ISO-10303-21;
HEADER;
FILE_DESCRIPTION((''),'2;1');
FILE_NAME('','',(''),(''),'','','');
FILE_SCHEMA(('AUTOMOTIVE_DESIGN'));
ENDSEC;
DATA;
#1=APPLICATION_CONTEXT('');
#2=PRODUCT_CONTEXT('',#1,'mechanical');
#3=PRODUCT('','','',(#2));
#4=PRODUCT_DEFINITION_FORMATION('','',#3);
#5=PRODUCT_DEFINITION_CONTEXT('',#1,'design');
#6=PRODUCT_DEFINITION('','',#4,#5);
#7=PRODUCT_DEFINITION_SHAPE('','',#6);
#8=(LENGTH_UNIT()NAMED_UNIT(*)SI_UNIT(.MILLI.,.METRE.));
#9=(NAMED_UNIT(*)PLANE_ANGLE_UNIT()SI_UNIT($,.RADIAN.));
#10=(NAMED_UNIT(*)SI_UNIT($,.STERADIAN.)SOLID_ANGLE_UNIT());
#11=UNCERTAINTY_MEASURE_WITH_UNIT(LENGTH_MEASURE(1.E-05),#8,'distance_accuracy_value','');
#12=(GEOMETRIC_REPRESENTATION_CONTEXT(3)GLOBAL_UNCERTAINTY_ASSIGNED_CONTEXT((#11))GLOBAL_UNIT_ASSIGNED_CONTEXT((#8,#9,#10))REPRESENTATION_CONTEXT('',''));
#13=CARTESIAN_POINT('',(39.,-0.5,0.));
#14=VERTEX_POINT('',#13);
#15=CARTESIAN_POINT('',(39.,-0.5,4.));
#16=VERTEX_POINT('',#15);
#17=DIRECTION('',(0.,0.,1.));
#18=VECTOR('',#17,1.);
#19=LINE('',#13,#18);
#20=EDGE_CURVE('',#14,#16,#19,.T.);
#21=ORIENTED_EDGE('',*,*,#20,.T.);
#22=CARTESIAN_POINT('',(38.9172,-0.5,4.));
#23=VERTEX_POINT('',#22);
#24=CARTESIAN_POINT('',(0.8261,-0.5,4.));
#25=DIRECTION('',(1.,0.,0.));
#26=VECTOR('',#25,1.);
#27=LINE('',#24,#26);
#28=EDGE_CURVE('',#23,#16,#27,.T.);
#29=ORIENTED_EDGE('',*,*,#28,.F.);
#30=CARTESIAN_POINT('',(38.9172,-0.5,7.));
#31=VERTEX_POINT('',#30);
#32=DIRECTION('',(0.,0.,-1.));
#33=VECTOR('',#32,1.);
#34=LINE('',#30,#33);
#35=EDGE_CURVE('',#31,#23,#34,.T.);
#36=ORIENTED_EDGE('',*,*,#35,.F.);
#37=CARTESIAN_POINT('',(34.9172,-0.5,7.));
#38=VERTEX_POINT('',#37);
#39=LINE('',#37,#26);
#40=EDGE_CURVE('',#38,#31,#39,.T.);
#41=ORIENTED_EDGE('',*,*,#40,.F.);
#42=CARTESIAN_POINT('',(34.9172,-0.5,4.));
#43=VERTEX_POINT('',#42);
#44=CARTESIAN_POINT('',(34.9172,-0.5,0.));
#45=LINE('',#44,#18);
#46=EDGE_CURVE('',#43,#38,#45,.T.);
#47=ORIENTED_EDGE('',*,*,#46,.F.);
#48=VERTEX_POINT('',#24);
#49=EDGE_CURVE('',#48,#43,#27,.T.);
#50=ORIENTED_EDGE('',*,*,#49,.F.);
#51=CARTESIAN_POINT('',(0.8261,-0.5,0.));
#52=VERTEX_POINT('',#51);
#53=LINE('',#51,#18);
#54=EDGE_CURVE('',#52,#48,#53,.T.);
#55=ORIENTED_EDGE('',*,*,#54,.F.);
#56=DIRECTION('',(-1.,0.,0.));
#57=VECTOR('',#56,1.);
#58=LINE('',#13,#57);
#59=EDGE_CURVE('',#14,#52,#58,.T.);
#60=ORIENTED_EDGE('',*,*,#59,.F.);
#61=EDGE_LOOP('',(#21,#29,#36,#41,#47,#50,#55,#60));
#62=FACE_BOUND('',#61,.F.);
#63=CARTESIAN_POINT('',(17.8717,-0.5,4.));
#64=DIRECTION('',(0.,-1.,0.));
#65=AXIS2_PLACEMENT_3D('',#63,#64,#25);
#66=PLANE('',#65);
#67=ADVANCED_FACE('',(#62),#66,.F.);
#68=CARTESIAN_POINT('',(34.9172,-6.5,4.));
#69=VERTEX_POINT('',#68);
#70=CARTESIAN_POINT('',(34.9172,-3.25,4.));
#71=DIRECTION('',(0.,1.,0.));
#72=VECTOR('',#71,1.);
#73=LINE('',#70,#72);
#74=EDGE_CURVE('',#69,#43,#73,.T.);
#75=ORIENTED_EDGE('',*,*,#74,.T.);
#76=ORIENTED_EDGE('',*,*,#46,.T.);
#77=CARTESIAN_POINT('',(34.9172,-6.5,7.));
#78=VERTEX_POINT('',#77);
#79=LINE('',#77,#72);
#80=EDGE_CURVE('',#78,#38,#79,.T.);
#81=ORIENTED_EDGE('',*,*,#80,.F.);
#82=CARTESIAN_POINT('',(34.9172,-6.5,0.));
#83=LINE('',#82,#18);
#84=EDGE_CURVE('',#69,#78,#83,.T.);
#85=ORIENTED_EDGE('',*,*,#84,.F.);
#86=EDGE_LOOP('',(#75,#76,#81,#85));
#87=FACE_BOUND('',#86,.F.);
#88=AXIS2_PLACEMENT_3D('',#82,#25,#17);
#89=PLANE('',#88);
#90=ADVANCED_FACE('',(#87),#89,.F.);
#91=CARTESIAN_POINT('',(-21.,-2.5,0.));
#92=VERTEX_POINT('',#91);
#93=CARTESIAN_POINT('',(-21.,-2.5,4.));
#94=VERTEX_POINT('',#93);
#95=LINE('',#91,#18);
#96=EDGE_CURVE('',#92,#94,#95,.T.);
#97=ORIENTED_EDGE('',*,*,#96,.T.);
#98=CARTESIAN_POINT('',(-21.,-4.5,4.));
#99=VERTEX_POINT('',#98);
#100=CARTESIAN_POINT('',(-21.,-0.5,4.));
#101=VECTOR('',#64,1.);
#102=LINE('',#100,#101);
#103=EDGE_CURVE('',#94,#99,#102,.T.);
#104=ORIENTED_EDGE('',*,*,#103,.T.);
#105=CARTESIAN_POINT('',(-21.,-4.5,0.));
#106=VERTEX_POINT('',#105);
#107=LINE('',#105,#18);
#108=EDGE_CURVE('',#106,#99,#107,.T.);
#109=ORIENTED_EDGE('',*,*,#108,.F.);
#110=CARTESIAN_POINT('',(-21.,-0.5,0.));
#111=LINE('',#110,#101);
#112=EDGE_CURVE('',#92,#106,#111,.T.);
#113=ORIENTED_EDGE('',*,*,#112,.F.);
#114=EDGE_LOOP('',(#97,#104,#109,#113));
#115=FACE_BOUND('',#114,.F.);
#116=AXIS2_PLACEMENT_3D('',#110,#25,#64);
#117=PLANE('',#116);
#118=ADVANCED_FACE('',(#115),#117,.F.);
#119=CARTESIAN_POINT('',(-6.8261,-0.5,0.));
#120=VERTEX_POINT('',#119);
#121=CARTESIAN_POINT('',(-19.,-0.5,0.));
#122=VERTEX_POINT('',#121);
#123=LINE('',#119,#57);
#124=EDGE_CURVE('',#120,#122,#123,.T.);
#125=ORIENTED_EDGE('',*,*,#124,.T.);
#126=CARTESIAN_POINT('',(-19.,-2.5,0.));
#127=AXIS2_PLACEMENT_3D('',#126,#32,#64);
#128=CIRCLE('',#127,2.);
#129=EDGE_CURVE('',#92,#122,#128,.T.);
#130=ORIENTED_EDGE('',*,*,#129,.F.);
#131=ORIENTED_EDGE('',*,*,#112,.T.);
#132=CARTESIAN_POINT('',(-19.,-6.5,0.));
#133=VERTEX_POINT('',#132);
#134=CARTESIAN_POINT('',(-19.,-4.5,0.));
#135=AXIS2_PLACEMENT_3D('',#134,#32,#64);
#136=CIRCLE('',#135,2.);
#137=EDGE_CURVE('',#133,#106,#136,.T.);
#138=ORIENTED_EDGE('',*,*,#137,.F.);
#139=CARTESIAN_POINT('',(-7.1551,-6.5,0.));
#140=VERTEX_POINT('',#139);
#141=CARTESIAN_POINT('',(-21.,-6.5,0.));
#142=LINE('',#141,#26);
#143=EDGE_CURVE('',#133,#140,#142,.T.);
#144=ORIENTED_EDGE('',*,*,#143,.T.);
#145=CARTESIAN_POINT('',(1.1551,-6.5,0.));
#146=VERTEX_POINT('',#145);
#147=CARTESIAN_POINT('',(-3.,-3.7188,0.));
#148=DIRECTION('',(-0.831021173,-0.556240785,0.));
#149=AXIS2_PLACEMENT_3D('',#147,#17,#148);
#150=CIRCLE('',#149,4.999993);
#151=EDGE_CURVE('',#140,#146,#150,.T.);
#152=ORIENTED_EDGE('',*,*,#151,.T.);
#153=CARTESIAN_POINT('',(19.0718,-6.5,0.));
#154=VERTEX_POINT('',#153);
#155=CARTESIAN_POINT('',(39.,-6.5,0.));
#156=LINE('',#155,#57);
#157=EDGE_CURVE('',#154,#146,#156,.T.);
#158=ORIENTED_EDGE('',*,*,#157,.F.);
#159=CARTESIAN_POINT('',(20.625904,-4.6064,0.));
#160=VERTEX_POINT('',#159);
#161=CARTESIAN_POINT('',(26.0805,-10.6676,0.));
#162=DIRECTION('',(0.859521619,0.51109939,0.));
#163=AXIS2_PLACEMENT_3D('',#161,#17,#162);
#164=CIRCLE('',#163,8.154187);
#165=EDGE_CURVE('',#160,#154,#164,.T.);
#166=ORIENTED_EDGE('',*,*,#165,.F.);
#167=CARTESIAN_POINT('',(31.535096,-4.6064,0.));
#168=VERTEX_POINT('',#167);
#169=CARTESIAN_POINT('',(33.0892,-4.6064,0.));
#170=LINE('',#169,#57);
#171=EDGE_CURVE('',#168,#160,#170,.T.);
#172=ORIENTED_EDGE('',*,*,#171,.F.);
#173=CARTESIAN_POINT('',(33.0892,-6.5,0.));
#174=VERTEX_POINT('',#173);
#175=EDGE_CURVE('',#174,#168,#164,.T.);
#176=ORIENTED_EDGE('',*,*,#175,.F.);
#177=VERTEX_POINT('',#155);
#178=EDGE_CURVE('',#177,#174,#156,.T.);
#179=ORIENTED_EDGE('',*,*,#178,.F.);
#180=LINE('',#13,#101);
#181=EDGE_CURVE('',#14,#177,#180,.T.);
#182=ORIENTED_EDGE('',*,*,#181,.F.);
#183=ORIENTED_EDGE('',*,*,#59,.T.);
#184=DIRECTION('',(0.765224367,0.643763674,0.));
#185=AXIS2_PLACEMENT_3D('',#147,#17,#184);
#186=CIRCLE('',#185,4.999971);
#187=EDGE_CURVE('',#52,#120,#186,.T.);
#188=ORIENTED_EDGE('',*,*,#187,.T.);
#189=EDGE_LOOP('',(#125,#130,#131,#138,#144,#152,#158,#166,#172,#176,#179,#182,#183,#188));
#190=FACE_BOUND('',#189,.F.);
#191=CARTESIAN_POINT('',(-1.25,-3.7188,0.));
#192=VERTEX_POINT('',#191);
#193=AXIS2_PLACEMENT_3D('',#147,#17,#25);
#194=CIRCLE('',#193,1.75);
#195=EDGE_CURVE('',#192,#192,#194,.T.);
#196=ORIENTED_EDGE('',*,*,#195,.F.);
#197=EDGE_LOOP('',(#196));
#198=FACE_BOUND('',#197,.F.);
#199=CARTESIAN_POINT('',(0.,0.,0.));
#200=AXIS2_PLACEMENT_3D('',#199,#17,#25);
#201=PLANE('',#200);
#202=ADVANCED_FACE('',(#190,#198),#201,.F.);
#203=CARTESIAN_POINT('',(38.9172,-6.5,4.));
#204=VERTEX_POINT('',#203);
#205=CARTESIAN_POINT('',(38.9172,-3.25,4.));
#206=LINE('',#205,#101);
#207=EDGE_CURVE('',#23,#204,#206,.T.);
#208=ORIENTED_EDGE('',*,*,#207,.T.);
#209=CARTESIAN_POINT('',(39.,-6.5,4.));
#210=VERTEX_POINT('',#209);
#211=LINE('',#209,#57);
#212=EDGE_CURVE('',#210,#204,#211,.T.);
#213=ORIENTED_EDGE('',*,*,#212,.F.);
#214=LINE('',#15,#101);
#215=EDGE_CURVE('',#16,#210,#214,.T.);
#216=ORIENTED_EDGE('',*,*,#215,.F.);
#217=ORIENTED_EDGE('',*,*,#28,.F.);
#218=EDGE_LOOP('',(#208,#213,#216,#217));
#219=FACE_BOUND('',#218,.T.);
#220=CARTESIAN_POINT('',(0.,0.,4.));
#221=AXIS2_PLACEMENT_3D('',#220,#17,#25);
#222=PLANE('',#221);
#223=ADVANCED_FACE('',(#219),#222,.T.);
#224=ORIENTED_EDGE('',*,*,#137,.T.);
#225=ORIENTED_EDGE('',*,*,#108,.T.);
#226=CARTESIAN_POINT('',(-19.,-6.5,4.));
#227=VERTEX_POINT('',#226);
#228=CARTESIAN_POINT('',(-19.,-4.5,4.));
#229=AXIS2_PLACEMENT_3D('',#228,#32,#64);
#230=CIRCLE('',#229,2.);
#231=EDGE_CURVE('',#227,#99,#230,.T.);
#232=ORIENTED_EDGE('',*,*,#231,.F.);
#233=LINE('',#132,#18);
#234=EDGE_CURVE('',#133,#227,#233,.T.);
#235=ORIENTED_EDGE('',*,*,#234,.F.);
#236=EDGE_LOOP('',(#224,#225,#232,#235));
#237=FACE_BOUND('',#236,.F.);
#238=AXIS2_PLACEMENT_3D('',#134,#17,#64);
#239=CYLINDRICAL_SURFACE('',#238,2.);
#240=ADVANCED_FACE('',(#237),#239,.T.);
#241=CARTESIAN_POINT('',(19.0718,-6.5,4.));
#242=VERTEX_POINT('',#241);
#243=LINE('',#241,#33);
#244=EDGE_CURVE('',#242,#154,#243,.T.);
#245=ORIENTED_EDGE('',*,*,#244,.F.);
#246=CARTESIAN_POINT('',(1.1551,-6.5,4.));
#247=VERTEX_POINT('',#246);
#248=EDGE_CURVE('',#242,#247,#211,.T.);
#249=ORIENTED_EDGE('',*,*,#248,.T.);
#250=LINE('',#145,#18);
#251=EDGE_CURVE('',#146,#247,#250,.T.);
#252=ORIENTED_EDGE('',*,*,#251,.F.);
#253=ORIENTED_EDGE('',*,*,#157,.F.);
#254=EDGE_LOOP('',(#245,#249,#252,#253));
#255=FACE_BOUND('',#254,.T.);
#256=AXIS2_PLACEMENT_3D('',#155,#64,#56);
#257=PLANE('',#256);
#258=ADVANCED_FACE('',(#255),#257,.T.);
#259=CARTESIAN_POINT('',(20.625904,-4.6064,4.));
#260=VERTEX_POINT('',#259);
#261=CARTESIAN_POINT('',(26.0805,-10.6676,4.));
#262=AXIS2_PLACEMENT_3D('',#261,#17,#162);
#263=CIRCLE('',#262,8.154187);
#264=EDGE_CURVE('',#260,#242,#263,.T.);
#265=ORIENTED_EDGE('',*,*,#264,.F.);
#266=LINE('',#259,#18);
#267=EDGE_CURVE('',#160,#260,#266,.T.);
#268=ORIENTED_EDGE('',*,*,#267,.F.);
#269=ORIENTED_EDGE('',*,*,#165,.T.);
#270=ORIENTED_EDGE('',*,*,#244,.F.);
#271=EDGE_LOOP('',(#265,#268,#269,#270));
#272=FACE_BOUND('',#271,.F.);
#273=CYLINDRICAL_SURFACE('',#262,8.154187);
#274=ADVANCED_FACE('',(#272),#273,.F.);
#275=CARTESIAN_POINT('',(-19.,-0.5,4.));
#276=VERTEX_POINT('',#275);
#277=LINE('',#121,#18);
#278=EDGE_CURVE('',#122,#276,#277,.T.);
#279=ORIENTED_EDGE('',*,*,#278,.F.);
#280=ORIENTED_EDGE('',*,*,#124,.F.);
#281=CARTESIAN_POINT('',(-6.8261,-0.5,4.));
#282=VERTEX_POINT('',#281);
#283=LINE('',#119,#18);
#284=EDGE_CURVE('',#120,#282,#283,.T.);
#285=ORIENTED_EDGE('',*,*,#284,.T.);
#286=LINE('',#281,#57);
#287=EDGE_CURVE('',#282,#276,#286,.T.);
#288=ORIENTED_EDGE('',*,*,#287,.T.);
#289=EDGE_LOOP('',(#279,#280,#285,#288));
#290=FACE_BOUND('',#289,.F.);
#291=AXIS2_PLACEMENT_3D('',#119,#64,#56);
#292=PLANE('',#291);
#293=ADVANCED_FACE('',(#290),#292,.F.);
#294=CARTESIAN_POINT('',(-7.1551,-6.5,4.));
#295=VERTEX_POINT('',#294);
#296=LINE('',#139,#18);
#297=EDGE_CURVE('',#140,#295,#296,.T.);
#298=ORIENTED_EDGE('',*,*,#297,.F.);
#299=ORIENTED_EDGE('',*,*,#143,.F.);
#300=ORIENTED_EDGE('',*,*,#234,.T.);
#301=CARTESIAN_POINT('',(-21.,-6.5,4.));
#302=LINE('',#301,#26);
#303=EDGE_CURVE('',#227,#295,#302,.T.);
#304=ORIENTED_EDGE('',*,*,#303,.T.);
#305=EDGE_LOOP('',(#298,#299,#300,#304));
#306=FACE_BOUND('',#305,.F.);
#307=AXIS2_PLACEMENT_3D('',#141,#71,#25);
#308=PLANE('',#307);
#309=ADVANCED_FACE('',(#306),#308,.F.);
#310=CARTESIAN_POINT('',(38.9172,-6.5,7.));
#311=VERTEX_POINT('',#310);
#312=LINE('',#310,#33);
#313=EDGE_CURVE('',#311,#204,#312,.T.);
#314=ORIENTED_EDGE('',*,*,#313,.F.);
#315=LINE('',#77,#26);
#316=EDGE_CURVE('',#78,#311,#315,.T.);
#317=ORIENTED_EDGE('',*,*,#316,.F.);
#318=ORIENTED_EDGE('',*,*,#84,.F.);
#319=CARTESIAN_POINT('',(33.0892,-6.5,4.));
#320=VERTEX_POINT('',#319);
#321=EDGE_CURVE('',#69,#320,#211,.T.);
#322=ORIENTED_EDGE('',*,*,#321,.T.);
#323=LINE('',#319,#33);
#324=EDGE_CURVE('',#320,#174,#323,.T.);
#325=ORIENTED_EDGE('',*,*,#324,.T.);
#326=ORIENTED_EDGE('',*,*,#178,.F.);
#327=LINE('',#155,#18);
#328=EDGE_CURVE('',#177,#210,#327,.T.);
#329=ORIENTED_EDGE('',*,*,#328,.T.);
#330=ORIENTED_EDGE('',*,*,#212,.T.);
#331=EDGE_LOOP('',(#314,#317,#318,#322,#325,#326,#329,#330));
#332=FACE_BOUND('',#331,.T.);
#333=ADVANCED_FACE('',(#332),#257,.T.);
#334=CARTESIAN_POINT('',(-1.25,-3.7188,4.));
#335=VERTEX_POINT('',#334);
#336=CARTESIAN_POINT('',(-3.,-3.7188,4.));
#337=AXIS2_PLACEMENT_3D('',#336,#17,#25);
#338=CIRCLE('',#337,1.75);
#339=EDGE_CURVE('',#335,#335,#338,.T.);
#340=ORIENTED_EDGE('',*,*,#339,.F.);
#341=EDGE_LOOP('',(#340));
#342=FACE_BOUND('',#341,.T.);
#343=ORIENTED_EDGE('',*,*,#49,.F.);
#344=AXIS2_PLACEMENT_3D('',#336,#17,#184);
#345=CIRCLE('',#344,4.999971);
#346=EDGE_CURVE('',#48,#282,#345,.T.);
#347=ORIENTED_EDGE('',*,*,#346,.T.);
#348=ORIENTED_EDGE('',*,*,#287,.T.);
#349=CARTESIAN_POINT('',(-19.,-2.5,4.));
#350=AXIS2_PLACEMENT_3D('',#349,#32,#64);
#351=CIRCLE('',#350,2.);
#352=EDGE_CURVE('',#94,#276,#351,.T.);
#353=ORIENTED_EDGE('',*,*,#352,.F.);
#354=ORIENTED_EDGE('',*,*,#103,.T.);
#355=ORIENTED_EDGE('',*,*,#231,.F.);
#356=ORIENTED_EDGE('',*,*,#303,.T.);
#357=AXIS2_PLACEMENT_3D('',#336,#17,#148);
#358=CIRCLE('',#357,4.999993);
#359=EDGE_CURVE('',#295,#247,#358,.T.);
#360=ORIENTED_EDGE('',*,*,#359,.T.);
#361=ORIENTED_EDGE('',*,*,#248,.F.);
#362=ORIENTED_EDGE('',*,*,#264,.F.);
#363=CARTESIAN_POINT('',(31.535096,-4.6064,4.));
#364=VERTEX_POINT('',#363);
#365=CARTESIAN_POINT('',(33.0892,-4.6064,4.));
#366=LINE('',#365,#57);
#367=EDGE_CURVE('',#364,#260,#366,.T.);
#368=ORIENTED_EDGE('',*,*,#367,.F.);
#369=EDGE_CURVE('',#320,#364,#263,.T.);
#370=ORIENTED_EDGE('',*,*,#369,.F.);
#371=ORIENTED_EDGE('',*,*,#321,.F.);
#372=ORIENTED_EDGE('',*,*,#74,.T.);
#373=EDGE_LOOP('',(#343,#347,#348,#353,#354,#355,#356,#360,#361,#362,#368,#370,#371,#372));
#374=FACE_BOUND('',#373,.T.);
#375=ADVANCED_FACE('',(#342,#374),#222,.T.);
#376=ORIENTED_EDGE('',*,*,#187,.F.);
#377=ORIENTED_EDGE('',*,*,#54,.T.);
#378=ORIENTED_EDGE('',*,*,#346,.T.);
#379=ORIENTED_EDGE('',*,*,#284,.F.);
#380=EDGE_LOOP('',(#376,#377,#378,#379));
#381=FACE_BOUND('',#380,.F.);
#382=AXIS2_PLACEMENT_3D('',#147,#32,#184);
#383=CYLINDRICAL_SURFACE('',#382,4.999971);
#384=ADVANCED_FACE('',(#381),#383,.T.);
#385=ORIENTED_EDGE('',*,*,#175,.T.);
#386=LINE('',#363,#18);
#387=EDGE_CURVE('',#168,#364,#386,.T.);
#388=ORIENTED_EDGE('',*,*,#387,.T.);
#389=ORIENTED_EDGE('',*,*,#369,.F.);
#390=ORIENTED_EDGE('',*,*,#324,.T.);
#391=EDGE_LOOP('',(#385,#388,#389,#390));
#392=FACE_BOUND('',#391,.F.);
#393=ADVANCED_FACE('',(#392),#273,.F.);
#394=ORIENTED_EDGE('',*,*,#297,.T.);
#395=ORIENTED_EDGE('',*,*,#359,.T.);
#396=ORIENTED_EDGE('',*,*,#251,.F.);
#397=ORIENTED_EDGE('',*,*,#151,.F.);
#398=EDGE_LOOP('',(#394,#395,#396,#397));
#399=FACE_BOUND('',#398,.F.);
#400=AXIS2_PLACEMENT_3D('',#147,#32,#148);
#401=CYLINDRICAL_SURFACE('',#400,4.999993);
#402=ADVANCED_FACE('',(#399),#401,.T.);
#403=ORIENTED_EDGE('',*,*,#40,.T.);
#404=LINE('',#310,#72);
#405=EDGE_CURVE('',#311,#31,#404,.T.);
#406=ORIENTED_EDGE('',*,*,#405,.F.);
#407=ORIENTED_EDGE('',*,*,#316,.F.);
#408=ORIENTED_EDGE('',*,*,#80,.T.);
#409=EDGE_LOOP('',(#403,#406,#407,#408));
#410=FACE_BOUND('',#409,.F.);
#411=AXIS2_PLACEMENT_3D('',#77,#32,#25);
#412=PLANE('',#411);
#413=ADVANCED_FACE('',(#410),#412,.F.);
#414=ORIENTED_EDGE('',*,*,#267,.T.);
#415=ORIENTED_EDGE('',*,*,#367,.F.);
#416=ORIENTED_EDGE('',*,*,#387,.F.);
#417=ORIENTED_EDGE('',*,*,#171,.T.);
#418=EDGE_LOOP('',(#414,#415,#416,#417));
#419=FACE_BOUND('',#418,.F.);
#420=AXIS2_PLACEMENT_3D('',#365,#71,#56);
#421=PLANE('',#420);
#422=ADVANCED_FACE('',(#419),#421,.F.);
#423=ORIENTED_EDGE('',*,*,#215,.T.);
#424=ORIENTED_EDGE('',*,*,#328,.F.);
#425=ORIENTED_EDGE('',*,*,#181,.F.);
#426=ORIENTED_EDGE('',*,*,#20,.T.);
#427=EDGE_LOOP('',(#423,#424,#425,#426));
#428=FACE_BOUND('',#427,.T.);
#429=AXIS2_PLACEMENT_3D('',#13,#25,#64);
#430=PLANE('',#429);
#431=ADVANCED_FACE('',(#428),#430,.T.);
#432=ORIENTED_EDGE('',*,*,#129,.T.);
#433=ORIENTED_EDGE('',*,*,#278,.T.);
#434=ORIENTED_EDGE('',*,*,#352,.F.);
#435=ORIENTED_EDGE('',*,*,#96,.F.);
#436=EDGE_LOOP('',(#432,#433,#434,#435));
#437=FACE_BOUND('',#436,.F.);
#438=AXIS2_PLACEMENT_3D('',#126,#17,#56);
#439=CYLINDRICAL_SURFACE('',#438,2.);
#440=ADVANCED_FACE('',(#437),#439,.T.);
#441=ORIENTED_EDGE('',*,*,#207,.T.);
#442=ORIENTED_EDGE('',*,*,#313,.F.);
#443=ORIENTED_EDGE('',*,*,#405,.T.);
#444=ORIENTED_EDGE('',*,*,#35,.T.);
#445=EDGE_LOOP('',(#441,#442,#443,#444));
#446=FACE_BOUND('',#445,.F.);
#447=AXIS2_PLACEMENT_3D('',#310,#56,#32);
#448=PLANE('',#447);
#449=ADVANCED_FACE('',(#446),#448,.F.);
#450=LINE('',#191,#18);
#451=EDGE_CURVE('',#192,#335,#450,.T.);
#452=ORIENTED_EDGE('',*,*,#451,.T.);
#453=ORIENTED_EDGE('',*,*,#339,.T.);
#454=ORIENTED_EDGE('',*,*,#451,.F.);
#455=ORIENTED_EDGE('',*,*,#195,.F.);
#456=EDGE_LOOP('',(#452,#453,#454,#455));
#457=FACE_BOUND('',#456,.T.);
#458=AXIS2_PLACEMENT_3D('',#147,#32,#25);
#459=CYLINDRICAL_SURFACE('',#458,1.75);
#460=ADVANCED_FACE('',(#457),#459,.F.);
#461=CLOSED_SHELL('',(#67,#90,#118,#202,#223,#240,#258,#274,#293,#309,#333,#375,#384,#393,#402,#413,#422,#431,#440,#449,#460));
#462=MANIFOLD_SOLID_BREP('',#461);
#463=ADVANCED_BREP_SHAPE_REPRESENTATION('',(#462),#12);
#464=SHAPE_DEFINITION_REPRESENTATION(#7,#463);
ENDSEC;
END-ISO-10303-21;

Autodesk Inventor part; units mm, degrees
ref_plane "YZ Plane" through (0, 0, 0) normal (1, 0, 0) x (0, 1, 0)
ref_plane "XZ Plane" through (0, 0, 0) normal (0, 1, 0) x (-1, 0, 0)
ref_plane "XY Plane" through (0, 0, 0) normal (0, 0, 1) x (1, 0, 0)
sketch "Skizze1" plane through (0, 0, 0) normal (0, 0, 1) x (1, 0, 0)
  line L0 (2, -8) -> (-6, -8) construction
  line L1 (2, 0) -> (2, -8) construction
  line L2 (0, 0) -> (2, 0) construction
  line L3 (0, 1.7577) -> (0, 0) construction
  line L4 (2, 1.7577) -> (0, 1.7577) construction
  line L5 (2, 1.7577) -> (2, 8.4467) construction
  line L6 (0, 8.4467) -> (2, 8.4467) construction
  line L7 (0, 11) -> (0, 8.4467) construction
  line L8 (-6, 11) -> (0, 11) construction
  line L9 (-6, -8) -> (-6, 11) construction
  circle A0 centre (-3, -3.7188) radius 1.75 construction
  circle A1 centre (-3, -3.7188) radius 1.75
  line L10 (5.65, 17) -> (8.35, 17) construction
  line L11 (11, -0.5) -> (11, 14.5) construction
  line L12 (3, -0.5) -> (11, -0.5) construction
  line L13 (3, -0.5) -> (3, 14.5) construction
  line L14 (7, 17) -> (39, 17) construction
  line L15 (0.8261, -0.5) -> (39, -0.5)
  line L16 (39, -0.5) -> (39, -6.5)
  line L17 (39, -6.5) -> (1.1551, -6.5)
  line L18 (-6.8261, -0.5) -> (-21, -0.5)
  line L19 (-21, -0.5) -> (-21, -6.5)
  line L20 (-21, -6.5) -> (-7.1551, -6.5)
  line L21 (-6, -6.5) -> (-6, -0.5) construction
  arc A2 (0.8261, -0.5) -> (-6.8261, -0.5) centre (-3, -3.7188) ccw
  arc A3 (-7.1551, -6.5) -> (1.1551, -6.5) centre (-3, -3.7188) ccw
  dimension "d0" = 32
  dimension "d1" = 6
  dimension "d2" = 15
extrude "Extrusion1" add sketch "Skizze1" along normal blind 4
sketch "Skizze2" plane through (1.1551, -6.5, 0) normal (0, -1, 0) x (1, 0, 0)
  line L0 (37.7621, 0) -> (33.7621, 0)
  line L1 (33.7621, 0) -> (33.7621, 7)
  line L2 (33.7621, 7) -> (37.7621, 7)
  line L3 (37.7621, 7) -> (37.7621, 0)
  point P0 (-1.1551, 0)
  dimension "d5" = 4
  dimension "d6" = 7
extrude "Extrusion3" add sketch "Skizze2" against normal blind 6
sketch "Skizze3" plane through (0, 0, 4) normal (0, 0, 1) x (1, 0, 0)
  circle A0 centre (-3, -3.7188) radius 1.75 construction
  line L0 (34.9172, -6.5) -> (34.9172, -0.5) construction
  line L1 (34.9172, -0.5) -> (0.8261, -0.5) construction
  arc A1 (0.8261, -0.5) -> (-6.8261, -0.5) centre (-3, -3.7188) ccw construction
  line L2 (-6.8261, -0.5) -> (-21, -0.5) construction
  line L3 (-21, -0.5) -> (-21, -6.5) construction
  line L4 (-21, -6.5) -> (-7.1551, -6.5) construction
  arc A2 (-7.1551, -6.5) -> (1.1551, -6.5) centre (-3, -3.7188) ccw construction
  line L5 (1.1551, -6.5) -> (34.9172, -6.5) construction
  line L6 (34.9172, -4.4009) -> (29.9172, -4.4009) construction
  arc A3 (33.0892, -6.5) -> (19.0718, -6.5) centre (26.0805, -10.6676) ccw
  line L7 (19.0718, -6.5) -> (33.0892, -6.5)
  line L8 (1.1551, -6.5) -> (34.9172, -6.5) construction
  point P0 (0, 0)
  dimension "d11" = 5
extrude "Extrusion4" cut sketch "Skizze3" against normal blind 6
sketch "Skizze4" plane through (0, 0, 4) normal (0, 0, 1) x (1, 0, 0)
  arc A0 (33.0892, -6.5) -> (19.0718, -6.5) centre (26.0805, -10.6676) ccw construction
  line L0 (33.0892, -6.5) -> (34.9172, -6.5) construction
  line L1 (34.9172, -6.5) -> (34.9172, -0.5) construction
  line L2 (34.9172, -0.5) -> (0.8261, -0.5) construction
  arc A1 (0.8261, -0.5) -> (-6.8261, -0.5) centre (-3, -3.7188) ccw construction
  line L3 (-6.8261, -0.5) -> (-21, -0.5) construction
  line L4 (-21, -0.5) -> (-21, -6.5) construction
  line L5 (-21, -6.5) -> (-7.1551, -6.5) construction
  arc A2 (-7.1551, -6.5) -> (1.1551, -6.5) centre (-3, -3.7188) ccw construction
  line L6 (1.1551, -6.5) -> (19.0718, -6.5) construction
  circle A3 centre (-3, -3.7188) radius 1.75 construction
  line L7 (17.8717, -0.5) -> (33.0892, -0.5)
  line L8 (33.0892, -0.5) -> (33.0892, -4.6064)
  line L9 (33.0892, -4.6064) -> (17.8717, -4.6064)
  line L10 (17.8717, -4.6064) -> (17.8717, -0.5)
  point P0 (0, 0)
extrude "Extrusion5" add sketch "Skizze4" against normal blind 4
fillet "Rundung1" radius 2 2 edges at (-21, -0.5, 2) (-21, -6.5, 2)
properties part number "Reset_beam"
